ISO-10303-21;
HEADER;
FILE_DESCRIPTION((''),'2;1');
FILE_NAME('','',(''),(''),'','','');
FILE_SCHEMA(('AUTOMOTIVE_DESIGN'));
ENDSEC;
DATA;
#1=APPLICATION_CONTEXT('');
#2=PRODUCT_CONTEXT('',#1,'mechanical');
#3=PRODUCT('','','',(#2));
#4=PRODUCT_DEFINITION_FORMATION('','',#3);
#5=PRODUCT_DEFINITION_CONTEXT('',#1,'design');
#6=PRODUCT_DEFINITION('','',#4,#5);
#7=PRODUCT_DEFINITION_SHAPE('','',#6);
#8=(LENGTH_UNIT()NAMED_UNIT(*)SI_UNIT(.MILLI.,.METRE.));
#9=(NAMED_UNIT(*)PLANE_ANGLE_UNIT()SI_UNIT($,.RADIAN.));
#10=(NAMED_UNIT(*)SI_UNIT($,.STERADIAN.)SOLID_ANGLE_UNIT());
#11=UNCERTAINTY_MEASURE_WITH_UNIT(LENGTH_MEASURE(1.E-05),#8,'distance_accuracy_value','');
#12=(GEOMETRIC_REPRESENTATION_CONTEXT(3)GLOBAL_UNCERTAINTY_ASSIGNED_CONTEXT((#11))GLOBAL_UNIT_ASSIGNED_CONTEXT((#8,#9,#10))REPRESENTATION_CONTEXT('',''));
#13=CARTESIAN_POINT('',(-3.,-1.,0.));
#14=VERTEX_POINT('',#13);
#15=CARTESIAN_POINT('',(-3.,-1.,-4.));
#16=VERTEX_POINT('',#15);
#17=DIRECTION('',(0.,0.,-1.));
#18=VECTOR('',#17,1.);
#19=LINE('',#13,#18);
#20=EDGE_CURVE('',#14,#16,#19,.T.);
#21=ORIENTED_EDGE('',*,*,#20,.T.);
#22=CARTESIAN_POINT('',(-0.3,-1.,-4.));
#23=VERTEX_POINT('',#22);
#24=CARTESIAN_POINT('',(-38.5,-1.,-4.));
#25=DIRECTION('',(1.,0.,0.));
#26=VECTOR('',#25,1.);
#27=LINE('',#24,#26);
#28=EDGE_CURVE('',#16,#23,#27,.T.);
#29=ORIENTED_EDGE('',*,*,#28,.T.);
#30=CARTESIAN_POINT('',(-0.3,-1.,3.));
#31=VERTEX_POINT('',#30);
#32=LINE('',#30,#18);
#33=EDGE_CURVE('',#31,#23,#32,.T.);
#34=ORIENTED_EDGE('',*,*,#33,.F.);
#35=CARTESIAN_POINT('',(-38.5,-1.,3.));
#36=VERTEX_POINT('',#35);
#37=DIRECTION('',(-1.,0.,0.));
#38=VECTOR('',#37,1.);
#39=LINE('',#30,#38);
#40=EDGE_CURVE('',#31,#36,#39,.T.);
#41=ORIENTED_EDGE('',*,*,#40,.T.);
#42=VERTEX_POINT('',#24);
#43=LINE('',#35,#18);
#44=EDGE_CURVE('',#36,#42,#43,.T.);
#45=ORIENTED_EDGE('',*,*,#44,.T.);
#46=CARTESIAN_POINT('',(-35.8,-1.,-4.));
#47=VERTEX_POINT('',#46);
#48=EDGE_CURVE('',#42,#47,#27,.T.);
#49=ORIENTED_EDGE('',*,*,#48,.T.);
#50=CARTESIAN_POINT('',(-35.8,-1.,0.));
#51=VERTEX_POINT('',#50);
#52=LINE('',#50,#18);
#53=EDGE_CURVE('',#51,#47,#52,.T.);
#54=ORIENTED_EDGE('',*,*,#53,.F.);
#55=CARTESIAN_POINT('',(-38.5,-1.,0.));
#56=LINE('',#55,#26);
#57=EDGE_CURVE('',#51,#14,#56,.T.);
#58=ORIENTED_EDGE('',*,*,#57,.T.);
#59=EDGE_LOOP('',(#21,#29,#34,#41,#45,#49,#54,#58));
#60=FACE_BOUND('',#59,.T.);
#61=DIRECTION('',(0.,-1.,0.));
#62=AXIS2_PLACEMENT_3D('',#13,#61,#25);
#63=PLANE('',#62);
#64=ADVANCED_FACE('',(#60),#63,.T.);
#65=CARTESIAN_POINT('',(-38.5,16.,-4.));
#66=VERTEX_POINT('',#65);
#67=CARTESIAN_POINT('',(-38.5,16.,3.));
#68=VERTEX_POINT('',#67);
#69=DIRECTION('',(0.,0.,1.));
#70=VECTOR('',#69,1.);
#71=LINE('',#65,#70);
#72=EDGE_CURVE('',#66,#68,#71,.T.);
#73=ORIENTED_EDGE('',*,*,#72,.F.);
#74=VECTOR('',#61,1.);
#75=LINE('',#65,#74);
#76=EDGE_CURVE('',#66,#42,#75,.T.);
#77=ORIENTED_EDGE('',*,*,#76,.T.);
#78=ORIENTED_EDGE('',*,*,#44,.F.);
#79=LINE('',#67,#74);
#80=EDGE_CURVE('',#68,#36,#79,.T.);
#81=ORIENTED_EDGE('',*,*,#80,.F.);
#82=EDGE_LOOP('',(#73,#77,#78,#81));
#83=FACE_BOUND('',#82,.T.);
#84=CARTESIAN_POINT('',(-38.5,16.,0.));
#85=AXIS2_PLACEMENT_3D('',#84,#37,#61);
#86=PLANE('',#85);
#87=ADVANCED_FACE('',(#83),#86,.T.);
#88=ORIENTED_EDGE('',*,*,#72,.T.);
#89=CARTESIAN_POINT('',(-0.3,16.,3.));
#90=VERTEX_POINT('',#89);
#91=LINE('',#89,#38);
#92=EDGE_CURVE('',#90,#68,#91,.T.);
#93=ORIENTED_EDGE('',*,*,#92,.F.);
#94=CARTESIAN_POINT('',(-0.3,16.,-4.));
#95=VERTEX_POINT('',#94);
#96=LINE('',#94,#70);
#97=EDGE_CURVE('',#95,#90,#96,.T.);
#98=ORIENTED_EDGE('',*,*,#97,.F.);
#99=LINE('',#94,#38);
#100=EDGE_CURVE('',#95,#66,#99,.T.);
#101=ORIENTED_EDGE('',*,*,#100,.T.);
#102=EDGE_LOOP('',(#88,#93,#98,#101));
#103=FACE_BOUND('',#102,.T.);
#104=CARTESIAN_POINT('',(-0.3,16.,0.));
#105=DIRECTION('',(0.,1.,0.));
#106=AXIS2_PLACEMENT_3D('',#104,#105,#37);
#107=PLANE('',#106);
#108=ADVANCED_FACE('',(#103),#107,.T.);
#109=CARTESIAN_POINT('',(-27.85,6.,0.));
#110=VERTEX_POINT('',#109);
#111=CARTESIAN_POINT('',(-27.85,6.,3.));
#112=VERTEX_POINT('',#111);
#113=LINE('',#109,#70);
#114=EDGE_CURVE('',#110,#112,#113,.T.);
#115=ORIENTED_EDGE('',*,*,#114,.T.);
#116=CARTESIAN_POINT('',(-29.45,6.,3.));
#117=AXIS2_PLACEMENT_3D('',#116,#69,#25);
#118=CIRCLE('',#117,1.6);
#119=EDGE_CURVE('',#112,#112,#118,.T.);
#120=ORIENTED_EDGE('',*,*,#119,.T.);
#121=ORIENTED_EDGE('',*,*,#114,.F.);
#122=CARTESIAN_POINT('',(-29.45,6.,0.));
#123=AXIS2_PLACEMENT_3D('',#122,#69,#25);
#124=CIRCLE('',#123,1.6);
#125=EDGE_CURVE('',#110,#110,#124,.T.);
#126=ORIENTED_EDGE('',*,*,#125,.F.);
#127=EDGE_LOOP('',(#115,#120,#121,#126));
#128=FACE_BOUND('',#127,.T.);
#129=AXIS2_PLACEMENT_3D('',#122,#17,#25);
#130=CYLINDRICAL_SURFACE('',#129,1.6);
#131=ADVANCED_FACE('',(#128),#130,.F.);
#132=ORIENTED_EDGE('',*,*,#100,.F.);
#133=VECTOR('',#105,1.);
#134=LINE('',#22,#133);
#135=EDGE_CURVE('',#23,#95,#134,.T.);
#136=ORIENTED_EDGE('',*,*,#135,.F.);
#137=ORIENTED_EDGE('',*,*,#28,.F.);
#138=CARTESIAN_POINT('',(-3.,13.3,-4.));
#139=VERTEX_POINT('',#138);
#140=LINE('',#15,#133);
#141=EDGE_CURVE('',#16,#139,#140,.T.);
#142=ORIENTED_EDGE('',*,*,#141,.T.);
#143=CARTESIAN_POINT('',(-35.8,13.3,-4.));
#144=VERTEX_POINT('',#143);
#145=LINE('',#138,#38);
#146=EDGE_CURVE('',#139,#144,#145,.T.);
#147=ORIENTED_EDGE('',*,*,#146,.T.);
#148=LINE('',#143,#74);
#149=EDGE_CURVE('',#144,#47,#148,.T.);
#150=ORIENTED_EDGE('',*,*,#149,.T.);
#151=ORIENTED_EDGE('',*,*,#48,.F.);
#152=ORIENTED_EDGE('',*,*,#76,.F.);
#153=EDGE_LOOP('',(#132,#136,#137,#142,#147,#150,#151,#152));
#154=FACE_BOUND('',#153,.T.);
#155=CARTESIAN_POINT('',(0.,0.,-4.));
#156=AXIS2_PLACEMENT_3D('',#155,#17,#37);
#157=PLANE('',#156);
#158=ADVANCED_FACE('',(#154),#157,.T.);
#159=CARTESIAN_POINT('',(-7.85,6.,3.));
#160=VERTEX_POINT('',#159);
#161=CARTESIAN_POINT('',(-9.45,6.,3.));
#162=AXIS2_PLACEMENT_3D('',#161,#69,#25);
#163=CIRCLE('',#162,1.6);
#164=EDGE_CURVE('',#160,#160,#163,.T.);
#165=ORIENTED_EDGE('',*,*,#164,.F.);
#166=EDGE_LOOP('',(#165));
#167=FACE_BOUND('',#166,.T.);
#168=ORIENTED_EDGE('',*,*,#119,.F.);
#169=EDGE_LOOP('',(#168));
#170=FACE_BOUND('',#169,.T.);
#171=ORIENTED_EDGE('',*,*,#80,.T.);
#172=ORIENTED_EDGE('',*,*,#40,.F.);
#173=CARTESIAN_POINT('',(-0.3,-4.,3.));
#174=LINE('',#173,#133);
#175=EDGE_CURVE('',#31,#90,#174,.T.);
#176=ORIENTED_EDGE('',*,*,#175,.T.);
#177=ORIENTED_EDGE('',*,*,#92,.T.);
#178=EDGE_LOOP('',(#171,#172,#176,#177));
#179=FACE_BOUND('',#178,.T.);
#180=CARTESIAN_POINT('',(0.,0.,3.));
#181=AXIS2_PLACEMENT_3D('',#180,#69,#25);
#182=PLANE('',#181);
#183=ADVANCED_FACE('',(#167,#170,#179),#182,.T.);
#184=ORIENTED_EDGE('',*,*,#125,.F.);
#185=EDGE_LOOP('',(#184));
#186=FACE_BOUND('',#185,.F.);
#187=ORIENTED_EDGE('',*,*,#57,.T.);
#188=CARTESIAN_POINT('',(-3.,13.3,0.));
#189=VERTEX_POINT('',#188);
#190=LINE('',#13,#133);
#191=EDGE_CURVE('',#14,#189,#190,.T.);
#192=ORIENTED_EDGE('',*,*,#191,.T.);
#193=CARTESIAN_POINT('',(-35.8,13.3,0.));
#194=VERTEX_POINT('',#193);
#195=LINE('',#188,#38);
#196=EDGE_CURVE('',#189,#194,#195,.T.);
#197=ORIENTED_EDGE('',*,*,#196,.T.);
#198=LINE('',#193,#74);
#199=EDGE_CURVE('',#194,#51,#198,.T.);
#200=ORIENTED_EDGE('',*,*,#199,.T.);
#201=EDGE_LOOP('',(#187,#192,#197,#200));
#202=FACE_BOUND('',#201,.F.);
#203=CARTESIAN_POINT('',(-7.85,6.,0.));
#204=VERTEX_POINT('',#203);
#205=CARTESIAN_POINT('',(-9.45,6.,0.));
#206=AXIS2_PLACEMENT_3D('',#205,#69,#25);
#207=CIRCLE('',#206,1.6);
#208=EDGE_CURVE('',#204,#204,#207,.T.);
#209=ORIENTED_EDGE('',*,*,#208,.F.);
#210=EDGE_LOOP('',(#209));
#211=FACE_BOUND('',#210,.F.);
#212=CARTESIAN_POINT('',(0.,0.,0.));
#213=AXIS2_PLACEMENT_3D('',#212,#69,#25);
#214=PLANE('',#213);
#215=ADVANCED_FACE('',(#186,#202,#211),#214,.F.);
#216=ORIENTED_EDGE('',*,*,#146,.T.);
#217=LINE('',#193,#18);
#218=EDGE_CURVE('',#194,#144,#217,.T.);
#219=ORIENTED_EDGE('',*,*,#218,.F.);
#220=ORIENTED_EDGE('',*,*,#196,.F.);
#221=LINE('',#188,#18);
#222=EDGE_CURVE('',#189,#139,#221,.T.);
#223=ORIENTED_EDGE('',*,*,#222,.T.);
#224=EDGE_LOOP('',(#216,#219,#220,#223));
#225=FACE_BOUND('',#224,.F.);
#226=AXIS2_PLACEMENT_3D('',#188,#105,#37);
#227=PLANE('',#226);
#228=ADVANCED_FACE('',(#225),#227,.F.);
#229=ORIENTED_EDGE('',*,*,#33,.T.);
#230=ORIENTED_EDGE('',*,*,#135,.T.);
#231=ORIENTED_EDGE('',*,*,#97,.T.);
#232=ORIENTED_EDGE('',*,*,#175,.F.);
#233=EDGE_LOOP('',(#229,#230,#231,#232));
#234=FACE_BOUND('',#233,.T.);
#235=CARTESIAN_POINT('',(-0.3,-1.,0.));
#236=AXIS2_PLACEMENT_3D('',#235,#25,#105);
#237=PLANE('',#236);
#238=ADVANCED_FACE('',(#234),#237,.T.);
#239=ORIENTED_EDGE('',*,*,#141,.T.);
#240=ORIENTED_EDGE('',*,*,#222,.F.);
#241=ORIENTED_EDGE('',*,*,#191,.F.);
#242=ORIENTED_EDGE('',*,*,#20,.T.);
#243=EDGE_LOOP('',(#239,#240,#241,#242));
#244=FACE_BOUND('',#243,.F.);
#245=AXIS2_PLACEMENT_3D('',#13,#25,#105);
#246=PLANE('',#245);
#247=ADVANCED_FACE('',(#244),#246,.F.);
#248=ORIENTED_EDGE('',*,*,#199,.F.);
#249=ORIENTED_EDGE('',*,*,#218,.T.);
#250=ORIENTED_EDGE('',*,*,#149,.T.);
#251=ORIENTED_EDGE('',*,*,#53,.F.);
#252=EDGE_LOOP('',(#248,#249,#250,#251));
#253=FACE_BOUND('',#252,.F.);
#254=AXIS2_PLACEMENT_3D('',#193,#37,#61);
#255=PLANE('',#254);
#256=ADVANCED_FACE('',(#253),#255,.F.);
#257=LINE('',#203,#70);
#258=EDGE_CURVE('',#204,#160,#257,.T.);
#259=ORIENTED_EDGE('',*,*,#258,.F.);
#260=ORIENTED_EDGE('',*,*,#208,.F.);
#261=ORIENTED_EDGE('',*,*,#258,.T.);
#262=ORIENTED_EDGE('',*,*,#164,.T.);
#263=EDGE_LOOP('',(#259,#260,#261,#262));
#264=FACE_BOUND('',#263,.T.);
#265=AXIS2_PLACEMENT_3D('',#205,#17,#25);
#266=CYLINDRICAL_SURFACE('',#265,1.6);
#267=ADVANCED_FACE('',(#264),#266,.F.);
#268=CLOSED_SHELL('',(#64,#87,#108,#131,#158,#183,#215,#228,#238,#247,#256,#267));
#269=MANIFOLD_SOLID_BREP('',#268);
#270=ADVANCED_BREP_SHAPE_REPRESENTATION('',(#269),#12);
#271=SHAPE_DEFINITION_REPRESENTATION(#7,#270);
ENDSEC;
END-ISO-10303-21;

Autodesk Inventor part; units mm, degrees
ref_plane "YZ Plane" through (0, 0, 0) normal (1, 0, 0) x (0, 1, 0)
ref_plane "XZ Plane" through (0, 0, 0) normal (0, 1, 0) x (-1, 0, 0)
ref_plane "XY Plane" through (0, 0, 0) normal (0, 0, 1) x (1, 0, 0)
sketch "Skizze1" plane through (0, 0, 0) normal (0, 0, 1) x (1, 0, 0)
  line L0 (-3.3, -1) -> (-35.5, -1) projected
  line L1 (-35.5, 13) -> (-35.5, -1) projected
  line L2 (-3.3, 13) -> (-35.5, 13) projected
  line L3 (-3.3, 13) -> (-3.3, -1) projected
  circle A0 centre (-29.45, 6) radius 3.25 projected
  circle A1 centre (-9.45, 6) radius 3.25 projected
  line L4 (-38.5, 16) -> (-38.5, -4)
  line L5 (-38.5, -4) -> (-0.3, -4)
  line L6 (-0.3, -4) -> (-0.3, 16)
  line L7 (-0.3, 16) -> (-38.5, 16)
  circle A2 centre (-29.45, 6) radius 1.6
  circle A3 centre (-9.45, 6) radius 1.6
  line L8 (-38.5, -1) -> (-0.3, -1)
  point P0 (0, 0)
  dimension "d0" = 3
  dimension "d1" = 3.2
  dimension "d2" = 3.2
extrude "Extrusion1" add sketch "Skizze1" along normal blind 3 contours L0 L1 L2 L3 | L3 L2 L1 L8 L4 L7 L6 | A0 | A1
sketch "Skizze2" plane through (0, 0, 0) normal (0, 0, -1) x (-1, 0, 0)
  line L0 (0.3, -1) -> (0.3, 16) projected
  line L1 (38.5, -1) -> (0.3, -1) projected
  line L2 (38.5, 16) -> (38.5, -1) projected
  line L3 (0.3, 16) -> (38.5, 16) projected
  circle A0 centre (9.45, 6) radius 1.6 projected
  circle A1 centre (29.45, 6) radius 1.6 projected
  line L4 (3.3, -1) -> (35.5, -1) construction
  line L5 (35.5, 13) -> (35.5, -1) construction
  line L6 (3.3, 13) -> (35.5, 13) construction
  line L7 (3.3, 13) -> (3.3, -1) construction
  line L8 (35.8, -1.3) -> (3, -1.3) construction
  line L9 (3, -1.3) -> (3, 13.3) construction
  line L10 (3, 13.3) -> (35.8, 13.3) construction
  line L11 (35.8, 13.3) -> (35.8, -1.3) construction
  line L12 (38.5, -1) -> (0.3, -1) projected
  line L13 (35.8, -1) -> (3, -1)
  line L14 (3, -1) -> (3, 13.3)
  line L15 (3, 13.3) -> (35.8, 13.3)
  line L16 (35.8, 13.3) -> (35.8, -1)
  point P0 (0, 0)
  point P1 (3, -1)
  dimension "d5" = 0.3
extrude "Extrusion2" add sketch "Skizze2" along normal blind 4 contours L0 L3 L2 L1 L16 L15 L14
properties part number "00_Template_NEMA11_drill_holes_slider"
